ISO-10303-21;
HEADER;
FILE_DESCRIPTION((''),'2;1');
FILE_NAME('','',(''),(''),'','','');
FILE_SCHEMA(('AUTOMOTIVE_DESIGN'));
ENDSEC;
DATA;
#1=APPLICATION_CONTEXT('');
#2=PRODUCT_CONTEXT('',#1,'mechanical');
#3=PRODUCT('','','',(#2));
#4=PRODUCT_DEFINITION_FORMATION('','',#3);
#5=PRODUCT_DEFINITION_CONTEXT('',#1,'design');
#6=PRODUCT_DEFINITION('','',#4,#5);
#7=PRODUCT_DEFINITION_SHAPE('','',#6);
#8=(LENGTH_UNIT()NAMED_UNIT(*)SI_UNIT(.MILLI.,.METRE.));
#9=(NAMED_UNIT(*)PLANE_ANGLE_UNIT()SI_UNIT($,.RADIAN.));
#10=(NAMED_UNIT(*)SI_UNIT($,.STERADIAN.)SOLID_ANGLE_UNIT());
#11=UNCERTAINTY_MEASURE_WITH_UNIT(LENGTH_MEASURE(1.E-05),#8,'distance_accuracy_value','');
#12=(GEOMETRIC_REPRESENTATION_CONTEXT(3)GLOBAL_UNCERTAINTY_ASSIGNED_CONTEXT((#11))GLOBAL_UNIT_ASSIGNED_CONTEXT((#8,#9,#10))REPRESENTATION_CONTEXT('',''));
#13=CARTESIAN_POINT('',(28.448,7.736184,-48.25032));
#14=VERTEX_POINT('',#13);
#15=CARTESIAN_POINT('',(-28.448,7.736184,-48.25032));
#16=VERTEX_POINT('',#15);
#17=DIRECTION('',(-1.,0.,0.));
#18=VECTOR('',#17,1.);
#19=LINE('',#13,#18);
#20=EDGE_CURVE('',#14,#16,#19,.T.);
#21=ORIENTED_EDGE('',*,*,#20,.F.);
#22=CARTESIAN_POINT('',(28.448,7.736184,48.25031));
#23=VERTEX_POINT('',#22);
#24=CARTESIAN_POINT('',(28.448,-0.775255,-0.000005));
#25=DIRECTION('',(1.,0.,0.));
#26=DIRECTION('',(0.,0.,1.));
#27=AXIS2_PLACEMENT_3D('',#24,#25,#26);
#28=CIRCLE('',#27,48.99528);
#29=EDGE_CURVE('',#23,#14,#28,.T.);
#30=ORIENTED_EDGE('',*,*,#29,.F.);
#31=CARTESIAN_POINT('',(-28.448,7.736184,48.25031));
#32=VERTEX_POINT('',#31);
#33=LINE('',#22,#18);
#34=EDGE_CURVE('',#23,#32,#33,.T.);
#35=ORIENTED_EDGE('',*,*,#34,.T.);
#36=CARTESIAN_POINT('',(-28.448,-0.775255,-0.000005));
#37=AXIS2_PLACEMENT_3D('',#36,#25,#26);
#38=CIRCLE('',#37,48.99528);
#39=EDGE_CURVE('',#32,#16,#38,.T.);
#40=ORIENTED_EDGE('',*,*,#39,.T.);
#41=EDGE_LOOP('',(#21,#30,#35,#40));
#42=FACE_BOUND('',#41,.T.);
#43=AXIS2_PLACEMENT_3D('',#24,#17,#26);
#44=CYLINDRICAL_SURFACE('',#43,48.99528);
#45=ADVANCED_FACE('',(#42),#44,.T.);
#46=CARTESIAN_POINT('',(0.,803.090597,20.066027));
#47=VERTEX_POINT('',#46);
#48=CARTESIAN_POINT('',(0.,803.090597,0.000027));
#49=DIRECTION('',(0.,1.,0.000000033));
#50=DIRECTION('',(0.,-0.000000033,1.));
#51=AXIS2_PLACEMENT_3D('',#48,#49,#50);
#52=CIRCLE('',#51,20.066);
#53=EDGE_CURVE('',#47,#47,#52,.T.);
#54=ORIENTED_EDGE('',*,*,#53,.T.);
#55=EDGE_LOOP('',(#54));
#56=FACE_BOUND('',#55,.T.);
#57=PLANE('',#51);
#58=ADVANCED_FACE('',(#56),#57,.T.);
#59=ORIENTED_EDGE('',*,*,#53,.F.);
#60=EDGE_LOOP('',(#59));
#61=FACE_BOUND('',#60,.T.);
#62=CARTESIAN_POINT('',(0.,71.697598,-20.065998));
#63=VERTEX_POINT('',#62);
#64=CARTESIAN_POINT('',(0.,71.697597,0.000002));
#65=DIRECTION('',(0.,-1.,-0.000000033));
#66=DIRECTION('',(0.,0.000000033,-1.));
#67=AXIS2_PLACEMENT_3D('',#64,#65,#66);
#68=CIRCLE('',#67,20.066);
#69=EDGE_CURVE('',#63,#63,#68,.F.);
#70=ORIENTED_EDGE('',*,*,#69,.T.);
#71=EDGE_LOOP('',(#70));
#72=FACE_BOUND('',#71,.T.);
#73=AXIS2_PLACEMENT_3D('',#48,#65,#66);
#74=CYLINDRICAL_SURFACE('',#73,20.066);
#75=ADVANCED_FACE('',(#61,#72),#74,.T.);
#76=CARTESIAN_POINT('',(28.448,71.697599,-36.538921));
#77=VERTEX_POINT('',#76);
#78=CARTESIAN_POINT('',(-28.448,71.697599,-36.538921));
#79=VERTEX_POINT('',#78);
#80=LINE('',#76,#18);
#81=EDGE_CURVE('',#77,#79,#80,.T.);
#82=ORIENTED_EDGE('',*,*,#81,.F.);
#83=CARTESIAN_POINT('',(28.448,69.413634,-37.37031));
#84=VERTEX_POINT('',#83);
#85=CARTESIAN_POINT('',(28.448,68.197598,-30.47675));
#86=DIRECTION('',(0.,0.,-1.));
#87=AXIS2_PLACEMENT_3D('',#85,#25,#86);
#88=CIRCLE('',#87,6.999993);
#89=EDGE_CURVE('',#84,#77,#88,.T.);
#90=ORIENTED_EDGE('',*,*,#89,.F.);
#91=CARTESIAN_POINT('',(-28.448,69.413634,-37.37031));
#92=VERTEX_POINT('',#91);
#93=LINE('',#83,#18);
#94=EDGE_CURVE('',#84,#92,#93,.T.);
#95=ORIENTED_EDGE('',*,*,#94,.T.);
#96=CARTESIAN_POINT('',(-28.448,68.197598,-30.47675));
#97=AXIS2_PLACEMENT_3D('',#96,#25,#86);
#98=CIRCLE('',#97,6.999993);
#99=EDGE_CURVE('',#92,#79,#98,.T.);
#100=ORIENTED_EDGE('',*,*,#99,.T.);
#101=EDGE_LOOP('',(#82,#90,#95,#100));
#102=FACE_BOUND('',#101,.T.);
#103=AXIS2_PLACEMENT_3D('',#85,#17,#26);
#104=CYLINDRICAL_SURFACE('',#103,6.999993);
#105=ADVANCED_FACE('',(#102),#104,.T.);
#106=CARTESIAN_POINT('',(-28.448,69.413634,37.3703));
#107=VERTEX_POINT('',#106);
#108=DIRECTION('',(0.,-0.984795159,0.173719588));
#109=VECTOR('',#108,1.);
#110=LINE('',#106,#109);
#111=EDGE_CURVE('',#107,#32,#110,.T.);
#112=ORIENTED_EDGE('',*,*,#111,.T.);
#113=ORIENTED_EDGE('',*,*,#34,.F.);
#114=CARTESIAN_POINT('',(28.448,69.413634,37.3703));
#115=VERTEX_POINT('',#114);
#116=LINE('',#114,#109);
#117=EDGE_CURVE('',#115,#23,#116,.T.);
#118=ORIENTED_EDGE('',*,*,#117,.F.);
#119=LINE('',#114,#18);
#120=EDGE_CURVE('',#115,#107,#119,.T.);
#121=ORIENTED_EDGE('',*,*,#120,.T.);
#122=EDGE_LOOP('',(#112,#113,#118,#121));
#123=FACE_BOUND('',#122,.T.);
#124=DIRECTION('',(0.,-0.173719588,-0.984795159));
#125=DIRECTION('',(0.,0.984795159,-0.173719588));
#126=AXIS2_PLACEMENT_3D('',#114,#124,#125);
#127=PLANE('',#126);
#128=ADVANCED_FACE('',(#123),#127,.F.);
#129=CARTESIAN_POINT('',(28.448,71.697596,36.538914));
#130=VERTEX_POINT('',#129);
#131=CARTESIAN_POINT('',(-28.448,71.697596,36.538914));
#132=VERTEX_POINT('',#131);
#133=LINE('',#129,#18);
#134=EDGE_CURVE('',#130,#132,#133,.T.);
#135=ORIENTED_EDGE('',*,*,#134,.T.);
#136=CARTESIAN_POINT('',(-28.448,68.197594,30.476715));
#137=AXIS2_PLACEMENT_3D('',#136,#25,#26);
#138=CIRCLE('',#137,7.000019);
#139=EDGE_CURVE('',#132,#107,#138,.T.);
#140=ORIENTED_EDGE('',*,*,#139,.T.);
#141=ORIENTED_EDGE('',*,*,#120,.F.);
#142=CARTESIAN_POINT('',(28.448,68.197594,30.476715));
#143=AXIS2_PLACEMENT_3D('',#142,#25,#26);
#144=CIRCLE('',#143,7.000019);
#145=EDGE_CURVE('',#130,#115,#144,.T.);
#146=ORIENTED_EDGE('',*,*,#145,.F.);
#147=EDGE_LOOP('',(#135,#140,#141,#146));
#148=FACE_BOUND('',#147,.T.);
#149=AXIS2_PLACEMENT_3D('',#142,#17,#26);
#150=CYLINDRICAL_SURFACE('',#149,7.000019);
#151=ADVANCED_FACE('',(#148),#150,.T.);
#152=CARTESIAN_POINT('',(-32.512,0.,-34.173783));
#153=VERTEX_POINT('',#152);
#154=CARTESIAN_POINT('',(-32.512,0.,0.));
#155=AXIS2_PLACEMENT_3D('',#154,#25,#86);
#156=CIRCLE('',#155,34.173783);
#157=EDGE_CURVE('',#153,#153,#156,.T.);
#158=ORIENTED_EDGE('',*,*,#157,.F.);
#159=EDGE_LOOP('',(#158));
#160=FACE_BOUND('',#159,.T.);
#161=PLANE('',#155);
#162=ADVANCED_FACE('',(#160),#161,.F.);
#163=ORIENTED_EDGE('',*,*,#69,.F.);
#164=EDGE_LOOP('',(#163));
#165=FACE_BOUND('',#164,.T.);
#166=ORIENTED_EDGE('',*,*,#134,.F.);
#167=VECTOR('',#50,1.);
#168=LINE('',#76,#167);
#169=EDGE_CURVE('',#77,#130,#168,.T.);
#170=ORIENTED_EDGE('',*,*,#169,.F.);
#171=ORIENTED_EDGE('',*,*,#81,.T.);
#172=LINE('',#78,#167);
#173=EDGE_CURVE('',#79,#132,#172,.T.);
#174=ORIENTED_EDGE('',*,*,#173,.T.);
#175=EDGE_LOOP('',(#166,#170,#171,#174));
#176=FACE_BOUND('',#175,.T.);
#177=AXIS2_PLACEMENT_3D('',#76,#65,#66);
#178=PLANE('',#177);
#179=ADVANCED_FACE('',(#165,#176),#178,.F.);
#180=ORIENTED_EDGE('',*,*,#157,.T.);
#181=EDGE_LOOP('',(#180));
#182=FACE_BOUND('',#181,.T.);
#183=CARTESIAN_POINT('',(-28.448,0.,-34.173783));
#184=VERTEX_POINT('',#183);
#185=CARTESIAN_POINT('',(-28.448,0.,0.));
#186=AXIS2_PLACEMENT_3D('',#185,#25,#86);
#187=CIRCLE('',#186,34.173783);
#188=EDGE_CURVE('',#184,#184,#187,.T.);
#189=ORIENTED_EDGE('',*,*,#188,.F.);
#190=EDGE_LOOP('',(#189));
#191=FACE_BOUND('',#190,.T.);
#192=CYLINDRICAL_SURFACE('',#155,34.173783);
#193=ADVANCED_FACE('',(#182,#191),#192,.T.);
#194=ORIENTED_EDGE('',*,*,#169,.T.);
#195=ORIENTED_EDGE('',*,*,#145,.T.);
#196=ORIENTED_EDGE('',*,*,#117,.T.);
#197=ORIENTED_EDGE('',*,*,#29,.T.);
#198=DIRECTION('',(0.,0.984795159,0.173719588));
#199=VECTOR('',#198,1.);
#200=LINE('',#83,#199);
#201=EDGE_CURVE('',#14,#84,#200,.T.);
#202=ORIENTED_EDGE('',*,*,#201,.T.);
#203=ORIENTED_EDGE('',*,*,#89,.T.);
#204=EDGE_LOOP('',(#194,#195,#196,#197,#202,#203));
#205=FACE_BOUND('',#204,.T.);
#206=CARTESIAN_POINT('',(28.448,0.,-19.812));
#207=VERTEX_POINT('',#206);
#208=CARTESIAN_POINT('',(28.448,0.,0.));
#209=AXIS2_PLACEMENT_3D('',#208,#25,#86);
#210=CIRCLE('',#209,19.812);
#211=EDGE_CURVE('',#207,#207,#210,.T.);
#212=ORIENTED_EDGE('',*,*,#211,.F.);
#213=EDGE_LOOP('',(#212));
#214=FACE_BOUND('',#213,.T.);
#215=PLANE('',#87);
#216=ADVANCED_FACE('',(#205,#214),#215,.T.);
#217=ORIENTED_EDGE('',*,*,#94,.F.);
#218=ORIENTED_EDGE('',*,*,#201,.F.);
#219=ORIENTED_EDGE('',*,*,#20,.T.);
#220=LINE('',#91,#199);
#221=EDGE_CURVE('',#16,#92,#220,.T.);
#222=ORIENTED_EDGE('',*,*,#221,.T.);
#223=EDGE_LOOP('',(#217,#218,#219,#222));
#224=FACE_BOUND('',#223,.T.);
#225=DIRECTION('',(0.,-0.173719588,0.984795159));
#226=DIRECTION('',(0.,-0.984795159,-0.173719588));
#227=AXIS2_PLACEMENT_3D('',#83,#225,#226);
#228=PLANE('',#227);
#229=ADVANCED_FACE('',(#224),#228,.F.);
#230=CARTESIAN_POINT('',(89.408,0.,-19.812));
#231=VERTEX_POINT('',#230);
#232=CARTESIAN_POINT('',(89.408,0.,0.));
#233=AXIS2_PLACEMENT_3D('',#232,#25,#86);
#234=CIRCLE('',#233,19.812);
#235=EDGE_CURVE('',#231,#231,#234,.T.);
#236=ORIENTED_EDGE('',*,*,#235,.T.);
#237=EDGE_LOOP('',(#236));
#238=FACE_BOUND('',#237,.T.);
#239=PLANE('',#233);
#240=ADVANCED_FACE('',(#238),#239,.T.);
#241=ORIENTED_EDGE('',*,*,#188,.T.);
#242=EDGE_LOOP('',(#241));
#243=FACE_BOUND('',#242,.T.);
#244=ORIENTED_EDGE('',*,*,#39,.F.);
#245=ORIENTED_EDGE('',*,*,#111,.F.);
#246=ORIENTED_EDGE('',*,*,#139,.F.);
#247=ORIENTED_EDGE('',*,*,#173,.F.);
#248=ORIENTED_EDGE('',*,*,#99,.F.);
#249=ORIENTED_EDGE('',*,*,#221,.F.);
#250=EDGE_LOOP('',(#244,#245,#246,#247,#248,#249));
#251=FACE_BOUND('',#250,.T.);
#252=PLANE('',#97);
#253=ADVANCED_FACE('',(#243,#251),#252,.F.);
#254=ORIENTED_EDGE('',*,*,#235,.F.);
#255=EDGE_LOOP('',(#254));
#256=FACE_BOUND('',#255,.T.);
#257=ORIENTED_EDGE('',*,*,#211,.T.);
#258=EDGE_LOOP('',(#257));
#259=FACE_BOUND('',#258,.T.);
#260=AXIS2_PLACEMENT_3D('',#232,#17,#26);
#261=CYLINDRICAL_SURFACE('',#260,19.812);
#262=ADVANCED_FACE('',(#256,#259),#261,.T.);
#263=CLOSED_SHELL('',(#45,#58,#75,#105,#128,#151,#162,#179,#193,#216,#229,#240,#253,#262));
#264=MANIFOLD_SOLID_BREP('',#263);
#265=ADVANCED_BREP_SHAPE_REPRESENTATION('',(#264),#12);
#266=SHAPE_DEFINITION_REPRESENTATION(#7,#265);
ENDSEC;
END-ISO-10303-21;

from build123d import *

# Parameters (mm, degrees)
EXTRUDE1_DEPTH      = 28.448
EXTRUDE1_DEPTH_BACK = 28.448
SKETCH7_R           = 20.066
EXTRUDE2_DEPTH      = 731.393
SKETCH8_R           = 34.173782646
EXTRUDE3_DEPTH      = 60.96
SKETCH9_R           = 19.812
EXTRUDE4_DEPTH      = 60.96


with BuildPart() as part:
    # Sketch6 → Extrude1 (new, two sides: drawn at the far end of the back side and taken through both)
    with BuildSketch(Plane(origin=(0, 0, 0), x_dir=(0, 0, -1), z_dir=(1, 0, 0)).offset(-EXTRUDE1_DEPTH_BACK)):
        with BuildLine():
            Line((36.538920518, 71.697598607), (-36.538913711, 71.697596168))
            ThreePointArc((-36.538913711, 71.697596168), (-37.054496025, 70.591976021), (-37.3703, 69.41363444))
            Line((-37.3703, 69.41363444), (-48.25031, 7.73618444))
            ThreePointArc((-48.25031, 7.73618444), (5e-06, -49.77053593), (48.25032, 7.73618444))
            Line((48.25032, 7.73618444), (37.37031, 69.41363444))
            ThreePointArc((37.37031, 69.41363444), (37.054505048, 70.591977567), (36.538920518, 71.697598607))
        make_face()
    extrude(amount=EXTRUDE1_DEPTH + EXTRUDE1_DEPTH_BACK)

    # Sketch7 → Extrude2 (add)
    with BuildSketch(Plane(origin=(0, 71.697597388, 2.392e-06), x_dir=(-1, 0, 0), z_dir=(0, 0.9999999999999996, 3.33665997890797e-08))):
        Circle(SKETCH7_R)
    extrude(amount=EXTRUDE2_DEPTH)

    # Sketch8 → Extrude3 (add)
    with BuildSketch(Plane(origin=(28.448, 0, 0), x_dir=(0, 0, -1), z_dir=(1, 0, 0))):
        Circle(SKETCH8_R)
    extrude(amount=-EXTRUDE3_DEPTH)

    # Sketch9 → Extrude4 (add)
    with BuildSketch(Plane(origin=(28.448, 0, 0), x_dir=(0, 0, -1), z_dir=(1, 0, 0))):
        Circle(SKETCH9_R)
    extrude(amount=EXTRUDE4_DEPTH)


solid = part.part
